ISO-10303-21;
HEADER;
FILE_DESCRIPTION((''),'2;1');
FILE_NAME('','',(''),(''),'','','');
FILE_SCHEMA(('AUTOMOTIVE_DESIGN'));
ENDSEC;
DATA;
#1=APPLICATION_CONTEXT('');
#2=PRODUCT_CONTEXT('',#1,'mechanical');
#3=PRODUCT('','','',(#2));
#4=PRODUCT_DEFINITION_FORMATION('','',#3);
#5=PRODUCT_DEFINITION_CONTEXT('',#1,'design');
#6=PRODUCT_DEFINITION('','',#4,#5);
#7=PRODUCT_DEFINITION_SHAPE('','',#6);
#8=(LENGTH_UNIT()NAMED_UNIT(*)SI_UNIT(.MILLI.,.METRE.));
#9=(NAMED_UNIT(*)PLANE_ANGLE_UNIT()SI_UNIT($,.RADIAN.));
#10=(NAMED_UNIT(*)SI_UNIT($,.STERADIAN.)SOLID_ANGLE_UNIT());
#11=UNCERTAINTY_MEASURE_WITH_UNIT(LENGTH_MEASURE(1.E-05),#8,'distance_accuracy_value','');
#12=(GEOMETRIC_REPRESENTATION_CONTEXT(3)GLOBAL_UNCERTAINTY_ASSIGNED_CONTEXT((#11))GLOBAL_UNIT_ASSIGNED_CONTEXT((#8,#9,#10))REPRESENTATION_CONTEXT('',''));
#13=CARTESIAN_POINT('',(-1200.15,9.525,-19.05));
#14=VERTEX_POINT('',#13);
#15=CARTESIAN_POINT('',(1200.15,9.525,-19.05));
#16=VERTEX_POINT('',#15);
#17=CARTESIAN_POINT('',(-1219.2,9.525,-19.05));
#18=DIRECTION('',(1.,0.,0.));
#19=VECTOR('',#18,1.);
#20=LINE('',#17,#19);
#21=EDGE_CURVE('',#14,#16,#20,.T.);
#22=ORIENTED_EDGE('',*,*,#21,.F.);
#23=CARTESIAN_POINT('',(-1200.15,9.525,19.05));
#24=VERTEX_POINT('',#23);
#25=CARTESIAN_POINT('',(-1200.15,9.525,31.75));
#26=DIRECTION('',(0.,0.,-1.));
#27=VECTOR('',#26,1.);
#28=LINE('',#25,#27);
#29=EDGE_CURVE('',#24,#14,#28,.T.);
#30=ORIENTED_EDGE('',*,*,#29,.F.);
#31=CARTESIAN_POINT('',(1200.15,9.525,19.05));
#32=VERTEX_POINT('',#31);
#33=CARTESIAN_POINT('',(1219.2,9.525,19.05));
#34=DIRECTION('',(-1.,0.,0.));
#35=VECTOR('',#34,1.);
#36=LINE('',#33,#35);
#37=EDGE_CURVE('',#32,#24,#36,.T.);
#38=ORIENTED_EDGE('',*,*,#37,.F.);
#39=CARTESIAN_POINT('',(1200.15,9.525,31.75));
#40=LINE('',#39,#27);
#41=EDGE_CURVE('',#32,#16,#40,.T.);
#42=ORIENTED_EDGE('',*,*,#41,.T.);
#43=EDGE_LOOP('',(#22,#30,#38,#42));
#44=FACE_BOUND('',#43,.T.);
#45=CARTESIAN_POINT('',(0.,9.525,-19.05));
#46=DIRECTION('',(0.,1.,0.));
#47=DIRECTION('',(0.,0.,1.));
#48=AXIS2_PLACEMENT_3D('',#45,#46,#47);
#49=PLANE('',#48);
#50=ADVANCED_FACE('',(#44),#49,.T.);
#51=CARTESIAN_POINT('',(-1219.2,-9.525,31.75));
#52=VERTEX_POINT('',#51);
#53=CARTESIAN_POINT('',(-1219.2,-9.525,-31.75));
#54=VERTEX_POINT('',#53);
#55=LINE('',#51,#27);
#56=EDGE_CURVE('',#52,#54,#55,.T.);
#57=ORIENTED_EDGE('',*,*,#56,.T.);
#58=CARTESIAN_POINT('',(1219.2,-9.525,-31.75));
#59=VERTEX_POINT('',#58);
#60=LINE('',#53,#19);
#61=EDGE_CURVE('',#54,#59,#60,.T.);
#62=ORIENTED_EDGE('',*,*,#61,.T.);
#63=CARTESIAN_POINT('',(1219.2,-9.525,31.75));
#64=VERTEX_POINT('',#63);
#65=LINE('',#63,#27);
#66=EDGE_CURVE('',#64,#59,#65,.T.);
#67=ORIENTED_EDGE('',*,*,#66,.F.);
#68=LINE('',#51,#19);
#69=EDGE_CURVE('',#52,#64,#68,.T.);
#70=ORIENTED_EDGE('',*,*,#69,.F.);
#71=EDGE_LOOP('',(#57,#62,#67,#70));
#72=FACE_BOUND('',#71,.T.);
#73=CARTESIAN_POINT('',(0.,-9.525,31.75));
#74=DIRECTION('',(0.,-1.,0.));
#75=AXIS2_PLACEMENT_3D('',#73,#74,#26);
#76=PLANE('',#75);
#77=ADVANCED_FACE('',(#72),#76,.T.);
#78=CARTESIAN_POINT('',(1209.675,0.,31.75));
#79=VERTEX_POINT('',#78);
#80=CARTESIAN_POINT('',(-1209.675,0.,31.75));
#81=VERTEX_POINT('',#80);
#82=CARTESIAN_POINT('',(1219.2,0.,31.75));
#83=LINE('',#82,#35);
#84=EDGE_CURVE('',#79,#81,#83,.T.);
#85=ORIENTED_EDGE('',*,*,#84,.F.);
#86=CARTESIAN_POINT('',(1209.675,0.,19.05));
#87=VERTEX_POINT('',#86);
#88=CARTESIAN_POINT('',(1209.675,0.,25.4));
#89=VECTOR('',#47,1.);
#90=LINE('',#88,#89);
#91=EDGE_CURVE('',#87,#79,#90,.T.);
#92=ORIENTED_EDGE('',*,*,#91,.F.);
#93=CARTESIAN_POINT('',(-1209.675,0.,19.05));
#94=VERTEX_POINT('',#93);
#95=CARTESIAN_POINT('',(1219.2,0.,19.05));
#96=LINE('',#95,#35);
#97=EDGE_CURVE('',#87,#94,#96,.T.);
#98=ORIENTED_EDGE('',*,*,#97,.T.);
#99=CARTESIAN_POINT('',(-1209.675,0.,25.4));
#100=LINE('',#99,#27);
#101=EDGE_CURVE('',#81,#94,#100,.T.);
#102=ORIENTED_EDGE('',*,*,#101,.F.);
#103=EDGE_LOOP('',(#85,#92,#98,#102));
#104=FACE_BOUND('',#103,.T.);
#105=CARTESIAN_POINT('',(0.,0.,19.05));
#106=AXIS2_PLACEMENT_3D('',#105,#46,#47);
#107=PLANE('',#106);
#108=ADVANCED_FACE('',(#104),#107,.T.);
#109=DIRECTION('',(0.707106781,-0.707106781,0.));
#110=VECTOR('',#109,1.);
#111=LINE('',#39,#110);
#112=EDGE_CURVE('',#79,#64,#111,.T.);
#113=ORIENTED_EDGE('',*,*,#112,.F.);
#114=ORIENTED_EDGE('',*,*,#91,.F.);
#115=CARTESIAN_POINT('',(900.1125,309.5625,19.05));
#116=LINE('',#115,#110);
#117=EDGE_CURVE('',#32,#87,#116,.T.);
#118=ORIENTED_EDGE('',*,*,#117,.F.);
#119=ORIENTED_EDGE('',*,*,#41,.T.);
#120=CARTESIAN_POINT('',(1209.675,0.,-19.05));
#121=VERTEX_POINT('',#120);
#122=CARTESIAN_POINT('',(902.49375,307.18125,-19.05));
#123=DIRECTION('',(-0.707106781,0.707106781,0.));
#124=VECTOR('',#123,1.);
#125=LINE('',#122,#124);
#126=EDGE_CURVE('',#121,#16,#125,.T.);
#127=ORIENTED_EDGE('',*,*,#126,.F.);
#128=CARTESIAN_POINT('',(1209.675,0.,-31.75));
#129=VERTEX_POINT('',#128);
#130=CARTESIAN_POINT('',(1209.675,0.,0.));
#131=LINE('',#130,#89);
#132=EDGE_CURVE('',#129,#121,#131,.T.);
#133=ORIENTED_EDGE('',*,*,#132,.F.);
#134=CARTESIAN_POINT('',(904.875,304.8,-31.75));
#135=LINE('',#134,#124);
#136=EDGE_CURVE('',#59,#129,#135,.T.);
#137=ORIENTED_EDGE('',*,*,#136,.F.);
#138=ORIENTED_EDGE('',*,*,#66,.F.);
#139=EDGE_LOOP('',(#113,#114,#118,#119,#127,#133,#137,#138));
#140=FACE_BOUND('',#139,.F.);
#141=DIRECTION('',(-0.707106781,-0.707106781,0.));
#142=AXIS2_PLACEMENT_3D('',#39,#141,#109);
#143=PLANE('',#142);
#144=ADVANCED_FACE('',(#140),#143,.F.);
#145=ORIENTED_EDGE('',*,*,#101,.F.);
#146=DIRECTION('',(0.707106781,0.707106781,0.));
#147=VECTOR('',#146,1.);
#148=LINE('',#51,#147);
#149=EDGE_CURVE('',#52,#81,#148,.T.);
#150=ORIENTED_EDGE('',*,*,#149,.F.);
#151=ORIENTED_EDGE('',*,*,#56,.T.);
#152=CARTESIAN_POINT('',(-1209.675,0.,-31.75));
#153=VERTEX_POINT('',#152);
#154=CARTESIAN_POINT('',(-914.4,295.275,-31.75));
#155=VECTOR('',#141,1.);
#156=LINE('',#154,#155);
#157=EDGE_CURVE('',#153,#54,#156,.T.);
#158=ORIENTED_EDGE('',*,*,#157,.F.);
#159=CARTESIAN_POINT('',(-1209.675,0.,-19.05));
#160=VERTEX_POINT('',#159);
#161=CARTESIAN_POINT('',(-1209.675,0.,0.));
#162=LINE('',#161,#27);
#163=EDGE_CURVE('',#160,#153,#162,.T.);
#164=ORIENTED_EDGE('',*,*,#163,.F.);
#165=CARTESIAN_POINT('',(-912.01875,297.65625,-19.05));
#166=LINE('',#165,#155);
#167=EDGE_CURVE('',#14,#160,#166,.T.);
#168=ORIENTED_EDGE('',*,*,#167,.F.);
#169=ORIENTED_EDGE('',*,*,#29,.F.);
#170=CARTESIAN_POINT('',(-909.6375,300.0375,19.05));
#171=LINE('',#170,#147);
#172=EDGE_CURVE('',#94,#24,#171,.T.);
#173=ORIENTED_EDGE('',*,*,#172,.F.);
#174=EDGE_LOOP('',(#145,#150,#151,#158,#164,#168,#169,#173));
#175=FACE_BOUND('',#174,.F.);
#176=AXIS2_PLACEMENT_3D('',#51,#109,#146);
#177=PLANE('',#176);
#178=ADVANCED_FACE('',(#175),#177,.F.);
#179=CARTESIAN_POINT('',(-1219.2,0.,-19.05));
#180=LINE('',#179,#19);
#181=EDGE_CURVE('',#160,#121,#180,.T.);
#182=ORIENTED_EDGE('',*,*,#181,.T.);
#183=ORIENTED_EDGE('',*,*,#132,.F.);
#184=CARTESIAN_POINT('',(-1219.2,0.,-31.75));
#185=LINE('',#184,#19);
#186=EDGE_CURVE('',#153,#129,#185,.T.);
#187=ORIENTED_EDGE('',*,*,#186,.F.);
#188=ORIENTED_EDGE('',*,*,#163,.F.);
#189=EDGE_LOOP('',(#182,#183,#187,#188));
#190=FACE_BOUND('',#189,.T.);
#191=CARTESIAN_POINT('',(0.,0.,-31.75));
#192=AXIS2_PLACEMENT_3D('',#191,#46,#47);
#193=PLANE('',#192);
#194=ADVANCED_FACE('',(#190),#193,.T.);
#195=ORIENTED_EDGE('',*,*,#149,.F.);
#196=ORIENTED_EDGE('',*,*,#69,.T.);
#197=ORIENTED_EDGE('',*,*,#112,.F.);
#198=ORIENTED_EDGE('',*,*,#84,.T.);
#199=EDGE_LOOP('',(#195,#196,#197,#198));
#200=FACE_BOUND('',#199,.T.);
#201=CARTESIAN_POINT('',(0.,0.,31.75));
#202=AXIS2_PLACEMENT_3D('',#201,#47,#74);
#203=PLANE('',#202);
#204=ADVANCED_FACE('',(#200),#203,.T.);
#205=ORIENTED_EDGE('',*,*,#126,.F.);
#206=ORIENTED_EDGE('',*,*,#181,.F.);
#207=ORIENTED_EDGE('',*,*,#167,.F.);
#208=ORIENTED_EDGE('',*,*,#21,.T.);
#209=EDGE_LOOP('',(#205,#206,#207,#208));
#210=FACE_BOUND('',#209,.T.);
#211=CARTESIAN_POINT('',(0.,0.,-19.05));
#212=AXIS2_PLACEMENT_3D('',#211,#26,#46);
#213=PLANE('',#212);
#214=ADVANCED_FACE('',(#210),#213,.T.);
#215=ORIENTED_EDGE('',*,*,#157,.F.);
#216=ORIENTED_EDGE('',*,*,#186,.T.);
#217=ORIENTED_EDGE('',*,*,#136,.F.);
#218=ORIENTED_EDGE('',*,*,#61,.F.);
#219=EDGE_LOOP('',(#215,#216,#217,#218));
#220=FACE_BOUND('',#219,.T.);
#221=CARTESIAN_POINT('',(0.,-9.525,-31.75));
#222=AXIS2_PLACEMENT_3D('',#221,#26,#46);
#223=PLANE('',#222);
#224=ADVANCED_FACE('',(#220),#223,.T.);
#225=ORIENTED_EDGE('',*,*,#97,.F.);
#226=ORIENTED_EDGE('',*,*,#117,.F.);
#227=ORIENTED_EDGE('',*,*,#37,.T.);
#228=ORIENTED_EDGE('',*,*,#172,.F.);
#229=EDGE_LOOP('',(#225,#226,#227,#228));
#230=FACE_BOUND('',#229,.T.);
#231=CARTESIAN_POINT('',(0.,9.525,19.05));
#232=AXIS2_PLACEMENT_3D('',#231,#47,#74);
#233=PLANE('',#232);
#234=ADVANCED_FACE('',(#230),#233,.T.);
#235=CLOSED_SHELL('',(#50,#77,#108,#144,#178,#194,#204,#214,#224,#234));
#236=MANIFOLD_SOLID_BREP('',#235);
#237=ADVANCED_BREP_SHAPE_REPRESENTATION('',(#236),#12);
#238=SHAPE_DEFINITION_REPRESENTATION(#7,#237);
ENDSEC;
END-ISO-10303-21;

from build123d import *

# Parameters (mm, degrees)
F1_DEPTH      = 1219.2
F1_DEPTH_BACK = 1219.2
F3_DEPTH      = 63.501


with BuildPart() as f1:
    # F0 (on Right) → F1 (new body, two sides)
    with BuildSketch(Plane.YZ) as f1_sk:
        Polygon((0, 31.75), (-9.525, 31.75), (-9.525, -31.75), (0, -31.75), (0, -19.05), (9.525, -19.05), (9.525, 19.05), (0, 19.05), align=None)
    extrude(amount=F1_DEPTH)
    extrude(f1_sk.sketch, amount=-F1_DEPTH_BACK)

    # F2 (on face) → F3 (cut, through all)
    with BuildSketch(Plane.XY.offset(31.75)):
        Polygon((-1219.2, 0), (-1209.675, 0), (-1200.15, 9.525), (-1219.2, 9.525), align=None)
        Polygon((-1219.2, 0), (-1219.2, -9.525), (-1209.675, 0), align=None)
        Polygon((1200.15, 9.525), (1209.675, 0), (1219.2, 0), (1219.2, 9.525), align=None)
        Polygon((1209.675, 0), (1219.2, -9.525), (1219.2, 0), align=None)
    extrude(amount=-F3_DEPTH, mode=Mode.SUBTRACT)


solid = f1.part
